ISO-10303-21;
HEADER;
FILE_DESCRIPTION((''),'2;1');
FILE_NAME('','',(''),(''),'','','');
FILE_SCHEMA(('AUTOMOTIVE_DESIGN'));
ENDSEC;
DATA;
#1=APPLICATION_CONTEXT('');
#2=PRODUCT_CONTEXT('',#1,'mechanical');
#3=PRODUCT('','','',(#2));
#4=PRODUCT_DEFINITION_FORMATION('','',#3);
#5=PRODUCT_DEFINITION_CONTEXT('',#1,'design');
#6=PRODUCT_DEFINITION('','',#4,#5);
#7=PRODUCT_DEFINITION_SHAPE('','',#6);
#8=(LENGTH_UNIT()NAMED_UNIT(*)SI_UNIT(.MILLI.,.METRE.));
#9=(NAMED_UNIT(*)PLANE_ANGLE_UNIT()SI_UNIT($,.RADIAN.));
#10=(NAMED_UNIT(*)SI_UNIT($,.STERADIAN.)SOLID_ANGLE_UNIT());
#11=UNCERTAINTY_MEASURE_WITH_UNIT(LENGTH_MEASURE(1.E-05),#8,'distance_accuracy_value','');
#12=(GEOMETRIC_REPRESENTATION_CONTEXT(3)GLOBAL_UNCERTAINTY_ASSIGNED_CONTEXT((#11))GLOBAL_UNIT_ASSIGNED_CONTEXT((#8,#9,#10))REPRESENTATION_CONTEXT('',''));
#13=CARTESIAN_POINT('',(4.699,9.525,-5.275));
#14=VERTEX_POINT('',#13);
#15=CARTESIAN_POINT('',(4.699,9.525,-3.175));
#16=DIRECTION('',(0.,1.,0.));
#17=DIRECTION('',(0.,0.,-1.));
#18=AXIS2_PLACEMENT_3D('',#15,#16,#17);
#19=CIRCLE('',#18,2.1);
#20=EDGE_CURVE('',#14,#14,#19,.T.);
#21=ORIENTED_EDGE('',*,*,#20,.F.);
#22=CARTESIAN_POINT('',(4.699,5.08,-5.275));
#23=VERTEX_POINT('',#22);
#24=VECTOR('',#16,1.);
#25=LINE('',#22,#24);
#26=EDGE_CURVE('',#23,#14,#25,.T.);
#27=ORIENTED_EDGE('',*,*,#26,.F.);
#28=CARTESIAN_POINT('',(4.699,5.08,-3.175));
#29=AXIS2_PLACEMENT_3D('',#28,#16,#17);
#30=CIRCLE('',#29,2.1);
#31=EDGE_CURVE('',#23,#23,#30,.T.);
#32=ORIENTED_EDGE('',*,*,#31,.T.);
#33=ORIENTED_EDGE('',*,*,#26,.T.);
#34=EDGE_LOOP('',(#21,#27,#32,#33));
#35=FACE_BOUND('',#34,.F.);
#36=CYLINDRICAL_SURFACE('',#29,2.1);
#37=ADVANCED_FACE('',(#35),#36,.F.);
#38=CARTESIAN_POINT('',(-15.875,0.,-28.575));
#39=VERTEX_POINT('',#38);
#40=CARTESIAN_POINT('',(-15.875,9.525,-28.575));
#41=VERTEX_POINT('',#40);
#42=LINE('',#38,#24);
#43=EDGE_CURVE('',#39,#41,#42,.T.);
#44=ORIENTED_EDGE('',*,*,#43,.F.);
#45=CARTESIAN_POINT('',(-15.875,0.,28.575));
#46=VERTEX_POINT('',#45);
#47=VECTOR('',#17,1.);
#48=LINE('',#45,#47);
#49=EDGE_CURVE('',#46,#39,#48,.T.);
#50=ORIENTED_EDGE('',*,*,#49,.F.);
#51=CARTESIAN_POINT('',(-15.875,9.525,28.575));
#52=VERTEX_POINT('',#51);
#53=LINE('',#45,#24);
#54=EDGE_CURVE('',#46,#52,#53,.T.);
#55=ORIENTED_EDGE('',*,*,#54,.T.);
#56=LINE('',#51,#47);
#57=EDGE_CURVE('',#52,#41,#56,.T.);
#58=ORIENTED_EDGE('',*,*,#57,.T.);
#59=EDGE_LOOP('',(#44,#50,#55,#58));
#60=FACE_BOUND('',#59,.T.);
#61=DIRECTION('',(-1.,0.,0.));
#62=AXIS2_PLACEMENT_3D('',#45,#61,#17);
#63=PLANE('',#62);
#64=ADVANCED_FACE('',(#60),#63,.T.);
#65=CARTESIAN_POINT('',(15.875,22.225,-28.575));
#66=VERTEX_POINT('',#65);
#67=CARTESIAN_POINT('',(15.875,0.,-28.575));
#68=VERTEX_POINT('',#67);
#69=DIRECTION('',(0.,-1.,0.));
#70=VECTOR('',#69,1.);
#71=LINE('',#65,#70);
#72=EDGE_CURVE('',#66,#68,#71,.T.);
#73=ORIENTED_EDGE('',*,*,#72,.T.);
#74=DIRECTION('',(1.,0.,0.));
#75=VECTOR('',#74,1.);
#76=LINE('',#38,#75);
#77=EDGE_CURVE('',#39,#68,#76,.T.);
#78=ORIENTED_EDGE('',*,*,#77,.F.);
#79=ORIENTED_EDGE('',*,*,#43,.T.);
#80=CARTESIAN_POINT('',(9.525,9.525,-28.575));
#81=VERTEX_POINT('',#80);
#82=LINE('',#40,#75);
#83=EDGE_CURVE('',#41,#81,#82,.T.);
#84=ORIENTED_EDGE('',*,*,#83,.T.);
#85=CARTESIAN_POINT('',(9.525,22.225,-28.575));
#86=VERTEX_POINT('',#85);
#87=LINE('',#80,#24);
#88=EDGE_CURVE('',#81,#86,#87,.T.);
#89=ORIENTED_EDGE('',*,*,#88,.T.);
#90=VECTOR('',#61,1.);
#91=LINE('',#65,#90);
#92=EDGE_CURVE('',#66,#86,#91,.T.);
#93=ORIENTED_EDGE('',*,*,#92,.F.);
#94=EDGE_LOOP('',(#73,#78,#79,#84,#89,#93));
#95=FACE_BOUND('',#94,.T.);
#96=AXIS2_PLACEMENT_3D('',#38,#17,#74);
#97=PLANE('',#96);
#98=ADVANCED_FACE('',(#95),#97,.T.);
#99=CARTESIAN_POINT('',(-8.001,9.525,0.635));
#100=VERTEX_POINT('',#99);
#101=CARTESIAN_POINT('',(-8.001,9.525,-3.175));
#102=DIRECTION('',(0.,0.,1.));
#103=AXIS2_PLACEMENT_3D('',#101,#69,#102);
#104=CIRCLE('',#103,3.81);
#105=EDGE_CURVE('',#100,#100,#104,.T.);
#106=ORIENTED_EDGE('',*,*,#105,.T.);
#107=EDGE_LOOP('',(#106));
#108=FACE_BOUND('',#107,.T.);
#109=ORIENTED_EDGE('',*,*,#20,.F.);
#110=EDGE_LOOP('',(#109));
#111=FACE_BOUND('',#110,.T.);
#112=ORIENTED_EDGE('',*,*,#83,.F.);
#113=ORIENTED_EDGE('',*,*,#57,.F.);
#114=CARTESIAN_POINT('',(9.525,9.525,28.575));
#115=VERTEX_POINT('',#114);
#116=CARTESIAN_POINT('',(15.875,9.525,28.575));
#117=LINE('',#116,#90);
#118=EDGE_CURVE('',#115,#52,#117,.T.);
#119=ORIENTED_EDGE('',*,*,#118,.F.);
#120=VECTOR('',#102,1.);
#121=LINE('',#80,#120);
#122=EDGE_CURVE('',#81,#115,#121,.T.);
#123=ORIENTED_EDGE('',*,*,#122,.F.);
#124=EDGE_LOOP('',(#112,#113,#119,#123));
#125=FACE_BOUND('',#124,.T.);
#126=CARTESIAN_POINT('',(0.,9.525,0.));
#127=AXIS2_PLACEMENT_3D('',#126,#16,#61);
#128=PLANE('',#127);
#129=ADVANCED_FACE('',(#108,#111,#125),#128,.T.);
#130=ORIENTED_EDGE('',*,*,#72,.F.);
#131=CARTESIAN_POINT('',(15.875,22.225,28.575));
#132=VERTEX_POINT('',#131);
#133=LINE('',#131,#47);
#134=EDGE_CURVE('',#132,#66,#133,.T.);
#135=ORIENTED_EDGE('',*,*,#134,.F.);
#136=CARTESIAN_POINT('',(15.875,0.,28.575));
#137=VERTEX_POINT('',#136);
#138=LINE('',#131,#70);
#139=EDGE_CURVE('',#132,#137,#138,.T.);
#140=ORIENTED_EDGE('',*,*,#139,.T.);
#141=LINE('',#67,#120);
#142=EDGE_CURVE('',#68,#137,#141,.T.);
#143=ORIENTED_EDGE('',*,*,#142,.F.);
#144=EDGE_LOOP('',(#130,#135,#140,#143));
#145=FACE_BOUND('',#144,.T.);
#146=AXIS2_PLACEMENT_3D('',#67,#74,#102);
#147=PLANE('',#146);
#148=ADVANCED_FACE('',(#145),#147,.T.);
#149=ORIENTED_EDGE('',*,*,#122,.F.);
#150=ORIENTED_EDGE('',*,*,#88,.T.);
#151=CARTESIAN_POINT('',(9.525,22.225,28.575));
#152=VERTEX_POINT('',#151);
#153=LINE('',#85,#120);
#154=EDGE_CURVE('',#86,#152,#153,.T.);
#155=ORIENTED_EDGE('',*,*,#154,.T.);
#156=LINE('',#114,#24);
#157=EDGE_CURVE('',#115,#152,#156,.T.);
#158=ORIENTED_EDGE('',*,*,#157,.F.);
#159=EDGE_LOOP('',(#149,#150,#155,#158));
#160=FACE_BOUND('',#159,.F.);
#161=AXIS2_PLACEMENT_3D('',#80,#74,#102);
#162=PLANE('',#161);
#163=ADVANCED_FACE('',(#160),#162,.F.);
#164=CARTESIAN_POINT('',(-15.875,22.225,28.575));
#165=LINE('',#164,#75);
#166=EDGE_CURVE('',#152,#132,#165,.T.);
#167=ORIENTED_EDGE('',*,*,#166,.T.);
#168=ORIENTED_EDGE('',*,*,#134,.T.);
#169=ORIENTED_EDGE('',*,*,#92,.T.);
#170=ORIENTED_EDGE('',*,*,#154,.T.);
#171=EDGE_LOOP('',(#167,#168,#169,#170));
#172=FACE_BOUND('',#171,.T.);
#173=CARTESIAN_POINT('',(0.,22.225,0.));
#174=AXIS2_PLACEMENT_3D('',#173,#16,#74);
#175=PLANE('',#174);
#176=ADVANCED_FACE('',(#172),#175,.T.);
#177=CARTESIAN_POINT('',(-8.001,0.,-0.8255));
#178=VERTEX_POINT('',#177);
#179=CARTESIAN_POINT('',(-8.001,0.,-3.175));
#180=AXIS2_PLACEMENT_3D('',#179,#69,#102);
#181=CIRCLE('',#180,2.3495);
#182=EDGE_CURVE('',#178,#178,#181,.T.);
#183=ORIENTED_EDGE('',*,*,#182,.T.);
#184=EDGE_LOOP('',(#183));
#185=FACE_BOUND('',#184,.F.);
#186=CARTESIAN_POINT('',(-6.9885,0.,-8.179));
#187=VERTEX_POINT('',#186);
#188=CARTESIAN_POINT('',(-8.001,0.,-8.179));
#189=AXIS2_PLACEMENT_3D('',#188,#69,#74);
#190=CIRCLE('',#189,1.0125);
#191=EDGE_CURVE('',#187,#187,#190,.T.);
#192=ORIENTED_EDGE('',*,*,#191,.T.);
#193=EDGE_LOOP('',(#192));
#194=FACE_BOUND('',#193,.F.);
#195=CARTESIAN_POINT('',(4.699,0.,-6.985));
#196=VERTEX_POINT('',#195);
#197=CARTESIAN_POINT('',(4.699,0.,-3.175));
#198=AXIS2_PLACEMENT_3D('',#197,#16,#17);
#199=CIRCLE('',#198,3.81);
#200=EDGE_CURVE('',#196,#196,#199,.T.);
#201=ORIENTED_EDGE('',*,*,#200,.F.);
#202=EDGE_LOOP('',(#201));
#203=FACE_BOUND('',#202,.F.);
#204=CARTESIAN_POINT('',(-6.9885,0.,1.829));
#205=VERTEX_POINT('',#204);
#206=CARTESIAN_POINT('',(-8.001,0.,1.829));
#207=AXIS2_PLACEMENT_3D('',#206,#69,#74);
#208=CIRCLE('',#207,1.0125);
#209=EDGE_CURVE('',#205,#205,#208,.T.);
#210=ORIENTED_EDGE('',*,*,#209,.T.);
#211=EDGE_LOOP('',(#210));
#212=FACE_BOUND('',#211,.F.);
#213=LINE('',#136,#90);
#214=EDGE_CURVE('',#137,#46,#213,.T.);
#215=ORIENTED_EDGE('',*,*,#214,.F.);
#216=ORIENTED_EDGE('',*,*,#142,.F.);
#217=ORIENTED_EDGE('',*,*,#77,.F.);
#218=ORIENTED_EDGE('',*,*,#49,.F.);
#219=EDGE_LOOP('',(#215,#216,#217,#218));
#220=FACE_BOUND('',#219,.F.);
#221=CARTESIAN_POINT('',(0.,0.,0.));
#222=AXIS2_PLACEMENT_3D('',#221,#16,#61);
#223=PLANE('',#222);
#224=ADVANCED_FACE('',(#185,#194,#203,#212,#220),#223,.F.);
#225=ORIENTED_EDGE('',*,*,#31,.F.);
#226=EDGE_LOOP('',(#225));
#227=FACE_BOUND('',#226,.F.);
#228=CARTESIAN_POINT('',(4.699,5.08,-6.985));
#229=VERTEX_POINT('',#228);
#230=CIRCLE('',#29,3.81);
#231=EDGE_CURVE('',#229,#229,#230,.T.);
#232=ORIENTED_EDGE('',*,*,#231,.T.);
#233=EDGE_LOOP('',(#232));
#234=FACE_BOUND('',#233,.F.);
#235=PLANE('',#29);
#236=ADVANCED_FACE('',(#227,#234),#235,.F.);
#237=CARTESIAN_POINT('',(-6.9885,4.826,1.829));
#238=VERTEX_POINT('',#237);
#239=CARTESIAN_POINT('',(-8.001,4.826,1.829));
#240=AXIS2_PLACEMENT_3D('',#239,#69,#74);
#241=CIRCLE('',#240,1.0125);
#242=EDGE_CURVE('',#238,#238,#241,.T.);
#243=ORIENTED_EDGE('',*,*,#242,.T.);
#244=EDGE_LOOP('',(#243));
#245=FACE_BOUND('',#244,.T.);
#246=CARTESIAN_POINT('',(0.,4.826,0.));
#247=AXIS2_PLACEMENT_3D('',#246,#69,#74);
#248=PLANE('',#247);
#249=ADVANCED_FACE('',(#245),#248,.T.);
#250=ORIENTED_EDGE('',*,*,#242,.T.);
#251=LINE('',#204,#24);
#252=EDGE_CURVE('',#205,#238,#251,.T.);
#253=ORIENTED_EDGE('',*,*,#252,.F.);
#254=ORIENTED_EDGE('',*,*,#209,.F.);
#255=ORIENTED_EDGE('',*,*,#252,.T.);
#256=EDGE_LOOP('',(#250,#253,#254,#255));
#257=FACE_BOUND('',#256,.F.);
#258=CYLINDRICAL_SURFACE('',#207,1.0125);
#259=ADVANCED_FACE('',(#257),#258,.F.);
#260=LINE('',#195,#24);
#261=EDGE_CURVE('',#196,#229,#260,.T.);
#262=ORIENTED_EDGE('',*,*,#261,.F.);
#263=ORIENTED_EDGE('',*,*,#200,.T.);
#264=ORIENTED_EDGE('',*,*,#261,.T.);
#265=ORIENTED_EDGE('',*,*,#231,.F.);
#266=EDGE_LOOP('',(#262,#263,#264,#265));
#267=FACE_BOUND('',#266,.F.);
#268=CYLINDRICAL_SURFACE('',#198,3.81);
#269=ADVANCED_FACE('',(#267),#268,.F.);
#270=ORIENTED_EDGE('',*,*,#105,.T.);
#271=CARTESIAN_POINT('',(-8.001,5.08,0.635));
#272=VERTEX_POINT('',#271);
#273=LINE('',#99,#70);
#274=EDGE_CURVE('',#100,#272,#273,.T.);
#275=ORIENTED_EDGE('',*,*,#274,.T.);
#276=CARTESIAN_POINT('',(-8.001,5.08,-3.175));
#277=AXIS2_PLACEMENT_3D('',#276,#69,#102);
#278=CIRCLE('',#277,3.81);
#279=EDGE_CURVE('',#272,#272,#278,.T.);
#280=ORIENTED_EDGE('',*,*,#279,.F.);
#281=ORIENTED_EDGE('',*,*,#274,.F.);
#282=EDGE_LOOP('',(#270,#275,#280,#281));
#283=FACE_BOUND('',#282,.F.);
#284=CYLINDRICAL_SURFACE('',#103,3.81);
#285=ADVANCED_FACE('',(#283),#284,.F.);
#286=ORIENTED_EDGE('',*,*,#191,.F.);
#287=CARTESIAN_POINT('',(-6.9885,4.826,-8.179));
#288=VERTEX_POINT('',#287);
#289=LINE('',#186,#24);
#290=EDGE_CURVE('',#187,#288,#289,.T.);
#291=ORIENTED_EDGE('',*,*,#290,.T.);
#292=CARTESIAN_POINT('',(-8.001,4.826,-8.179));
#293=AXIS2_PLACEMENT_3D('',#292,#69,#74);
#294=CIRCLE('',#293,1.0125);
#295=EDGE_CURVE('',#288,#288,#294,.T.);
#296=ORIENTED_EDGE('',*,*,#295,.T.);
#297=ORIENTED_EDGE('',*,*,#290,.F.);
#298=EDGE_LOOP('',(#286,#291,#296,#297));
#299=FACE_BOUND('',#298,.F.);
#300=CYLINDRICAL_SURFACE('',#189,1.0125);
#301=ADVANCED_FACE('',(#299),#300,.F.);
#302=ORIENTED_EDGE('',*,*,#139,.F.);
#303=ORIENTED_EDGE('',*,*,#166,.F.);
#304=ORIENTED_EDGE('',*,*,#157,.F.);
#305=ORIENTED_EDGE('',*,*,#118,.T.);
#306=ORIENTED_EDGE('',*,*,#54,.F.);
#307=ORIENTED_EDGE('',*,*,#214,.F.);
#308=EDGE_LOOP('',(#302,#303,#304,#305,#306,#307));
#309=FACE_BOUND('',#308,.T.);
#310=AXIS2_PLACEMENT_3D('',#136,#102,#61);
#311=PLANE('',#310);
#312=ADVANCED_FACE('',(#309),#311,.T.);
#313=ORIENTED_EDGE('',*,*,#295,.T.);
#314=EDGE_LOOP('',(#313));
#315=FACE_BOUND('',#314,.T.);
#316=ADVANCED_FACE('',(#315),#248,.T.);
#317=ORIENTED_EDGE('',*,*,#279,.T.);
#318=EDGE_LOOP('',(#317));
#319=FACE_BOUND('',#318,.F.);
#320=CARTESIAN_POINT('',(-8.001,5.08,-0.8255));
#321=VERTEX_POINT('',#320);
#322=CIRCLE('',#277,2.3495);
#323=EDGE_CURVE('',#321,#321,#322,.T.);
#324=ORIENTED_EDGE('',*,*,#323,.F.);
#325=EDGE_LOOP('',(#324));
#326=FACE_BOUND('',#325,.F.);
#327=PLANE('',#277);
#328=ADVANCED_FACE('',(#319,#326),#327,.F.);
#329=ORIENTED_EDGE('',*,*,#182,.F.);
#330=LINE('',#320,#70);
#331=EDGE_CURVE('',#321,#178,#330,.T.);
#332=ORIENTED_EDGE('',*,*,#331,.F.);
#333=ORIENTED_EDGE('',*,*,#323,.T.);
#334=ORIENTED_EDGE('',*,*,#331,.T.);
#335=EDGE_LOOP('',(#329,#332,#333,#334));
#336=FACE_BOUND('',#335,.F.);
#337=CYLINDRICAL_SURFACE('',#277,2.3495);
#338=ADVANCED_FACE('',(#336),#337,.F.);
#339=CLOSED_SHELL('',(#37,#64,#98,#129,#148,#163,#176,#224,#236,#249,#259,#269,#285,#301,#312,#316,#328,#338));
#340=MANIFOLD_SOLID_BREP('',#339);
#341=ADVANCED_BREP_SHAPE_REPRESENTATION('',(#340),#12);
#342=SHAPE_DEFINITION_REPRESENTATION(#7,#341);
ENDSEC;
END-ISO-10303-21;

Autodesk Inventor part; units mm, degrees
ref_plane "YZ Plane" through (0, 0, 0) normal (1, 0, 0) x (0, 1, 0)
ref_plane "XZ Plane" through (0, 0, 0) normal (0, 1, 0) x (-1, 0, 0)
ref_plane "XY Plane" through (0, 0, 0) normal (0, 0, 1) x (1, 0, 0)
sketch "Sketch1" plane through (0, 0, 0) normal (0, 1, 0) x (-1, 0, 0)
  line L0 (15.875, -28.575) -> (-15.875, -28.575)
  line L1 (-15.875, -28.575) -> (-15.875, 28.575)
  line L2 (-15.875, 28.575) -> (15.875, 28.575)
  line L3 (15.875, 28.575) -> (15.875, -28.575)
  line L4 (15.875, -28.575) -> (-15.875, 28.575) construction
  line L5 (-15.875, -28.575) -> (15.875, 28.575) construction
  point P0 (0, 0)
  dimension "d0" = 31.75
  dimension "d1" = 57.15
extrude "Extrusion1" add sketch "Sketch1" along normal blind 9.525
sketch "Sketch2" plane through (0, 9.525, 0) normal (0, 1, 0) x (1, 0, 0)
  line L0 (15.875, -28.575) -> (15.875, 28.575) projected
  line L1 (-15.875, -28.575) -> (15.875, -28.575) projected
  line L2 (15.875, 28.575) -> (9.525, 28.575)
  line L3 (9.525, 28.575) -> (9.525, -28.575)
  line L4 (9.525, -28.575) -> (15.875, -28.575)
  line L5 (15.875, -28.575) -> (15.875, 28.575)
  point P0 (0, 0)
  dimension "d4" = 6.35
extrude "Extrusion2" add sketch "Sketch2" along normal blind 12.7
sketch "Sketch3" plane through (0, 0, 0) normal (0, -1, 0) x (1, 0, 0)
  line L0 (-15.875, 28.575) -> (9.525, 28.575) projected
  point P0 (0, 0)
  point P1 (4.699, -3.175)
  dimension "d14" = 4.826
  dimension "d15" = 31.75
hole "Hole1" at (4.699, 0, -3.175) direction (0, 1, 0) diameter 4.2 end through all counterbore diameter 7.62 counterbore depth 5.08
sketch "Sketch5" plane through (0, 9.525, 0) normal (0, 1, 0) x (1, 0, 0)
  line L0 (9.525, 28.575) -> (-15.875, 28.575) projected
  circle A0 centre (4.699, 3.175) radius 3.81 projected
  line L1 (-15.875, -28.575) -> (9.525, -28.575) projected
  point P0 (0, 0)
  point P1 (-8.001, 3.175)
  dimension "d33" = 12.7
  dimension "d40" = 31.75
hole "Hole3" at (-8.001, 9.525, -3.175) direction (0, -1, 0) diameter 4.699 end through all counterbore diameter 7.62 counterbore depth 4.445
sketch "Sketch6" plane through (0, 0, 0) normal (0, -1, 0) x (1, 0, 0)
  circle A0 centre (-8.001, -8.179) radius 1.0125
  circle A1 centre (-8.001, 1.829) radius 1.0125
  circle A2 centre (-8.001, -3.175) radius 2.3495 projected
  point P0 (0, 0)
  dimension "d34" = 2.025
  dimension "d35" = 2.025
  dimension "d36" = 5.004
  dimension "d37" = 5.004
extrude "Extrusion3" cut sketch "Sketch6" against normal blind 4.826 contours A0 | A1
properties part number "Mount for Slit VA100CP"
